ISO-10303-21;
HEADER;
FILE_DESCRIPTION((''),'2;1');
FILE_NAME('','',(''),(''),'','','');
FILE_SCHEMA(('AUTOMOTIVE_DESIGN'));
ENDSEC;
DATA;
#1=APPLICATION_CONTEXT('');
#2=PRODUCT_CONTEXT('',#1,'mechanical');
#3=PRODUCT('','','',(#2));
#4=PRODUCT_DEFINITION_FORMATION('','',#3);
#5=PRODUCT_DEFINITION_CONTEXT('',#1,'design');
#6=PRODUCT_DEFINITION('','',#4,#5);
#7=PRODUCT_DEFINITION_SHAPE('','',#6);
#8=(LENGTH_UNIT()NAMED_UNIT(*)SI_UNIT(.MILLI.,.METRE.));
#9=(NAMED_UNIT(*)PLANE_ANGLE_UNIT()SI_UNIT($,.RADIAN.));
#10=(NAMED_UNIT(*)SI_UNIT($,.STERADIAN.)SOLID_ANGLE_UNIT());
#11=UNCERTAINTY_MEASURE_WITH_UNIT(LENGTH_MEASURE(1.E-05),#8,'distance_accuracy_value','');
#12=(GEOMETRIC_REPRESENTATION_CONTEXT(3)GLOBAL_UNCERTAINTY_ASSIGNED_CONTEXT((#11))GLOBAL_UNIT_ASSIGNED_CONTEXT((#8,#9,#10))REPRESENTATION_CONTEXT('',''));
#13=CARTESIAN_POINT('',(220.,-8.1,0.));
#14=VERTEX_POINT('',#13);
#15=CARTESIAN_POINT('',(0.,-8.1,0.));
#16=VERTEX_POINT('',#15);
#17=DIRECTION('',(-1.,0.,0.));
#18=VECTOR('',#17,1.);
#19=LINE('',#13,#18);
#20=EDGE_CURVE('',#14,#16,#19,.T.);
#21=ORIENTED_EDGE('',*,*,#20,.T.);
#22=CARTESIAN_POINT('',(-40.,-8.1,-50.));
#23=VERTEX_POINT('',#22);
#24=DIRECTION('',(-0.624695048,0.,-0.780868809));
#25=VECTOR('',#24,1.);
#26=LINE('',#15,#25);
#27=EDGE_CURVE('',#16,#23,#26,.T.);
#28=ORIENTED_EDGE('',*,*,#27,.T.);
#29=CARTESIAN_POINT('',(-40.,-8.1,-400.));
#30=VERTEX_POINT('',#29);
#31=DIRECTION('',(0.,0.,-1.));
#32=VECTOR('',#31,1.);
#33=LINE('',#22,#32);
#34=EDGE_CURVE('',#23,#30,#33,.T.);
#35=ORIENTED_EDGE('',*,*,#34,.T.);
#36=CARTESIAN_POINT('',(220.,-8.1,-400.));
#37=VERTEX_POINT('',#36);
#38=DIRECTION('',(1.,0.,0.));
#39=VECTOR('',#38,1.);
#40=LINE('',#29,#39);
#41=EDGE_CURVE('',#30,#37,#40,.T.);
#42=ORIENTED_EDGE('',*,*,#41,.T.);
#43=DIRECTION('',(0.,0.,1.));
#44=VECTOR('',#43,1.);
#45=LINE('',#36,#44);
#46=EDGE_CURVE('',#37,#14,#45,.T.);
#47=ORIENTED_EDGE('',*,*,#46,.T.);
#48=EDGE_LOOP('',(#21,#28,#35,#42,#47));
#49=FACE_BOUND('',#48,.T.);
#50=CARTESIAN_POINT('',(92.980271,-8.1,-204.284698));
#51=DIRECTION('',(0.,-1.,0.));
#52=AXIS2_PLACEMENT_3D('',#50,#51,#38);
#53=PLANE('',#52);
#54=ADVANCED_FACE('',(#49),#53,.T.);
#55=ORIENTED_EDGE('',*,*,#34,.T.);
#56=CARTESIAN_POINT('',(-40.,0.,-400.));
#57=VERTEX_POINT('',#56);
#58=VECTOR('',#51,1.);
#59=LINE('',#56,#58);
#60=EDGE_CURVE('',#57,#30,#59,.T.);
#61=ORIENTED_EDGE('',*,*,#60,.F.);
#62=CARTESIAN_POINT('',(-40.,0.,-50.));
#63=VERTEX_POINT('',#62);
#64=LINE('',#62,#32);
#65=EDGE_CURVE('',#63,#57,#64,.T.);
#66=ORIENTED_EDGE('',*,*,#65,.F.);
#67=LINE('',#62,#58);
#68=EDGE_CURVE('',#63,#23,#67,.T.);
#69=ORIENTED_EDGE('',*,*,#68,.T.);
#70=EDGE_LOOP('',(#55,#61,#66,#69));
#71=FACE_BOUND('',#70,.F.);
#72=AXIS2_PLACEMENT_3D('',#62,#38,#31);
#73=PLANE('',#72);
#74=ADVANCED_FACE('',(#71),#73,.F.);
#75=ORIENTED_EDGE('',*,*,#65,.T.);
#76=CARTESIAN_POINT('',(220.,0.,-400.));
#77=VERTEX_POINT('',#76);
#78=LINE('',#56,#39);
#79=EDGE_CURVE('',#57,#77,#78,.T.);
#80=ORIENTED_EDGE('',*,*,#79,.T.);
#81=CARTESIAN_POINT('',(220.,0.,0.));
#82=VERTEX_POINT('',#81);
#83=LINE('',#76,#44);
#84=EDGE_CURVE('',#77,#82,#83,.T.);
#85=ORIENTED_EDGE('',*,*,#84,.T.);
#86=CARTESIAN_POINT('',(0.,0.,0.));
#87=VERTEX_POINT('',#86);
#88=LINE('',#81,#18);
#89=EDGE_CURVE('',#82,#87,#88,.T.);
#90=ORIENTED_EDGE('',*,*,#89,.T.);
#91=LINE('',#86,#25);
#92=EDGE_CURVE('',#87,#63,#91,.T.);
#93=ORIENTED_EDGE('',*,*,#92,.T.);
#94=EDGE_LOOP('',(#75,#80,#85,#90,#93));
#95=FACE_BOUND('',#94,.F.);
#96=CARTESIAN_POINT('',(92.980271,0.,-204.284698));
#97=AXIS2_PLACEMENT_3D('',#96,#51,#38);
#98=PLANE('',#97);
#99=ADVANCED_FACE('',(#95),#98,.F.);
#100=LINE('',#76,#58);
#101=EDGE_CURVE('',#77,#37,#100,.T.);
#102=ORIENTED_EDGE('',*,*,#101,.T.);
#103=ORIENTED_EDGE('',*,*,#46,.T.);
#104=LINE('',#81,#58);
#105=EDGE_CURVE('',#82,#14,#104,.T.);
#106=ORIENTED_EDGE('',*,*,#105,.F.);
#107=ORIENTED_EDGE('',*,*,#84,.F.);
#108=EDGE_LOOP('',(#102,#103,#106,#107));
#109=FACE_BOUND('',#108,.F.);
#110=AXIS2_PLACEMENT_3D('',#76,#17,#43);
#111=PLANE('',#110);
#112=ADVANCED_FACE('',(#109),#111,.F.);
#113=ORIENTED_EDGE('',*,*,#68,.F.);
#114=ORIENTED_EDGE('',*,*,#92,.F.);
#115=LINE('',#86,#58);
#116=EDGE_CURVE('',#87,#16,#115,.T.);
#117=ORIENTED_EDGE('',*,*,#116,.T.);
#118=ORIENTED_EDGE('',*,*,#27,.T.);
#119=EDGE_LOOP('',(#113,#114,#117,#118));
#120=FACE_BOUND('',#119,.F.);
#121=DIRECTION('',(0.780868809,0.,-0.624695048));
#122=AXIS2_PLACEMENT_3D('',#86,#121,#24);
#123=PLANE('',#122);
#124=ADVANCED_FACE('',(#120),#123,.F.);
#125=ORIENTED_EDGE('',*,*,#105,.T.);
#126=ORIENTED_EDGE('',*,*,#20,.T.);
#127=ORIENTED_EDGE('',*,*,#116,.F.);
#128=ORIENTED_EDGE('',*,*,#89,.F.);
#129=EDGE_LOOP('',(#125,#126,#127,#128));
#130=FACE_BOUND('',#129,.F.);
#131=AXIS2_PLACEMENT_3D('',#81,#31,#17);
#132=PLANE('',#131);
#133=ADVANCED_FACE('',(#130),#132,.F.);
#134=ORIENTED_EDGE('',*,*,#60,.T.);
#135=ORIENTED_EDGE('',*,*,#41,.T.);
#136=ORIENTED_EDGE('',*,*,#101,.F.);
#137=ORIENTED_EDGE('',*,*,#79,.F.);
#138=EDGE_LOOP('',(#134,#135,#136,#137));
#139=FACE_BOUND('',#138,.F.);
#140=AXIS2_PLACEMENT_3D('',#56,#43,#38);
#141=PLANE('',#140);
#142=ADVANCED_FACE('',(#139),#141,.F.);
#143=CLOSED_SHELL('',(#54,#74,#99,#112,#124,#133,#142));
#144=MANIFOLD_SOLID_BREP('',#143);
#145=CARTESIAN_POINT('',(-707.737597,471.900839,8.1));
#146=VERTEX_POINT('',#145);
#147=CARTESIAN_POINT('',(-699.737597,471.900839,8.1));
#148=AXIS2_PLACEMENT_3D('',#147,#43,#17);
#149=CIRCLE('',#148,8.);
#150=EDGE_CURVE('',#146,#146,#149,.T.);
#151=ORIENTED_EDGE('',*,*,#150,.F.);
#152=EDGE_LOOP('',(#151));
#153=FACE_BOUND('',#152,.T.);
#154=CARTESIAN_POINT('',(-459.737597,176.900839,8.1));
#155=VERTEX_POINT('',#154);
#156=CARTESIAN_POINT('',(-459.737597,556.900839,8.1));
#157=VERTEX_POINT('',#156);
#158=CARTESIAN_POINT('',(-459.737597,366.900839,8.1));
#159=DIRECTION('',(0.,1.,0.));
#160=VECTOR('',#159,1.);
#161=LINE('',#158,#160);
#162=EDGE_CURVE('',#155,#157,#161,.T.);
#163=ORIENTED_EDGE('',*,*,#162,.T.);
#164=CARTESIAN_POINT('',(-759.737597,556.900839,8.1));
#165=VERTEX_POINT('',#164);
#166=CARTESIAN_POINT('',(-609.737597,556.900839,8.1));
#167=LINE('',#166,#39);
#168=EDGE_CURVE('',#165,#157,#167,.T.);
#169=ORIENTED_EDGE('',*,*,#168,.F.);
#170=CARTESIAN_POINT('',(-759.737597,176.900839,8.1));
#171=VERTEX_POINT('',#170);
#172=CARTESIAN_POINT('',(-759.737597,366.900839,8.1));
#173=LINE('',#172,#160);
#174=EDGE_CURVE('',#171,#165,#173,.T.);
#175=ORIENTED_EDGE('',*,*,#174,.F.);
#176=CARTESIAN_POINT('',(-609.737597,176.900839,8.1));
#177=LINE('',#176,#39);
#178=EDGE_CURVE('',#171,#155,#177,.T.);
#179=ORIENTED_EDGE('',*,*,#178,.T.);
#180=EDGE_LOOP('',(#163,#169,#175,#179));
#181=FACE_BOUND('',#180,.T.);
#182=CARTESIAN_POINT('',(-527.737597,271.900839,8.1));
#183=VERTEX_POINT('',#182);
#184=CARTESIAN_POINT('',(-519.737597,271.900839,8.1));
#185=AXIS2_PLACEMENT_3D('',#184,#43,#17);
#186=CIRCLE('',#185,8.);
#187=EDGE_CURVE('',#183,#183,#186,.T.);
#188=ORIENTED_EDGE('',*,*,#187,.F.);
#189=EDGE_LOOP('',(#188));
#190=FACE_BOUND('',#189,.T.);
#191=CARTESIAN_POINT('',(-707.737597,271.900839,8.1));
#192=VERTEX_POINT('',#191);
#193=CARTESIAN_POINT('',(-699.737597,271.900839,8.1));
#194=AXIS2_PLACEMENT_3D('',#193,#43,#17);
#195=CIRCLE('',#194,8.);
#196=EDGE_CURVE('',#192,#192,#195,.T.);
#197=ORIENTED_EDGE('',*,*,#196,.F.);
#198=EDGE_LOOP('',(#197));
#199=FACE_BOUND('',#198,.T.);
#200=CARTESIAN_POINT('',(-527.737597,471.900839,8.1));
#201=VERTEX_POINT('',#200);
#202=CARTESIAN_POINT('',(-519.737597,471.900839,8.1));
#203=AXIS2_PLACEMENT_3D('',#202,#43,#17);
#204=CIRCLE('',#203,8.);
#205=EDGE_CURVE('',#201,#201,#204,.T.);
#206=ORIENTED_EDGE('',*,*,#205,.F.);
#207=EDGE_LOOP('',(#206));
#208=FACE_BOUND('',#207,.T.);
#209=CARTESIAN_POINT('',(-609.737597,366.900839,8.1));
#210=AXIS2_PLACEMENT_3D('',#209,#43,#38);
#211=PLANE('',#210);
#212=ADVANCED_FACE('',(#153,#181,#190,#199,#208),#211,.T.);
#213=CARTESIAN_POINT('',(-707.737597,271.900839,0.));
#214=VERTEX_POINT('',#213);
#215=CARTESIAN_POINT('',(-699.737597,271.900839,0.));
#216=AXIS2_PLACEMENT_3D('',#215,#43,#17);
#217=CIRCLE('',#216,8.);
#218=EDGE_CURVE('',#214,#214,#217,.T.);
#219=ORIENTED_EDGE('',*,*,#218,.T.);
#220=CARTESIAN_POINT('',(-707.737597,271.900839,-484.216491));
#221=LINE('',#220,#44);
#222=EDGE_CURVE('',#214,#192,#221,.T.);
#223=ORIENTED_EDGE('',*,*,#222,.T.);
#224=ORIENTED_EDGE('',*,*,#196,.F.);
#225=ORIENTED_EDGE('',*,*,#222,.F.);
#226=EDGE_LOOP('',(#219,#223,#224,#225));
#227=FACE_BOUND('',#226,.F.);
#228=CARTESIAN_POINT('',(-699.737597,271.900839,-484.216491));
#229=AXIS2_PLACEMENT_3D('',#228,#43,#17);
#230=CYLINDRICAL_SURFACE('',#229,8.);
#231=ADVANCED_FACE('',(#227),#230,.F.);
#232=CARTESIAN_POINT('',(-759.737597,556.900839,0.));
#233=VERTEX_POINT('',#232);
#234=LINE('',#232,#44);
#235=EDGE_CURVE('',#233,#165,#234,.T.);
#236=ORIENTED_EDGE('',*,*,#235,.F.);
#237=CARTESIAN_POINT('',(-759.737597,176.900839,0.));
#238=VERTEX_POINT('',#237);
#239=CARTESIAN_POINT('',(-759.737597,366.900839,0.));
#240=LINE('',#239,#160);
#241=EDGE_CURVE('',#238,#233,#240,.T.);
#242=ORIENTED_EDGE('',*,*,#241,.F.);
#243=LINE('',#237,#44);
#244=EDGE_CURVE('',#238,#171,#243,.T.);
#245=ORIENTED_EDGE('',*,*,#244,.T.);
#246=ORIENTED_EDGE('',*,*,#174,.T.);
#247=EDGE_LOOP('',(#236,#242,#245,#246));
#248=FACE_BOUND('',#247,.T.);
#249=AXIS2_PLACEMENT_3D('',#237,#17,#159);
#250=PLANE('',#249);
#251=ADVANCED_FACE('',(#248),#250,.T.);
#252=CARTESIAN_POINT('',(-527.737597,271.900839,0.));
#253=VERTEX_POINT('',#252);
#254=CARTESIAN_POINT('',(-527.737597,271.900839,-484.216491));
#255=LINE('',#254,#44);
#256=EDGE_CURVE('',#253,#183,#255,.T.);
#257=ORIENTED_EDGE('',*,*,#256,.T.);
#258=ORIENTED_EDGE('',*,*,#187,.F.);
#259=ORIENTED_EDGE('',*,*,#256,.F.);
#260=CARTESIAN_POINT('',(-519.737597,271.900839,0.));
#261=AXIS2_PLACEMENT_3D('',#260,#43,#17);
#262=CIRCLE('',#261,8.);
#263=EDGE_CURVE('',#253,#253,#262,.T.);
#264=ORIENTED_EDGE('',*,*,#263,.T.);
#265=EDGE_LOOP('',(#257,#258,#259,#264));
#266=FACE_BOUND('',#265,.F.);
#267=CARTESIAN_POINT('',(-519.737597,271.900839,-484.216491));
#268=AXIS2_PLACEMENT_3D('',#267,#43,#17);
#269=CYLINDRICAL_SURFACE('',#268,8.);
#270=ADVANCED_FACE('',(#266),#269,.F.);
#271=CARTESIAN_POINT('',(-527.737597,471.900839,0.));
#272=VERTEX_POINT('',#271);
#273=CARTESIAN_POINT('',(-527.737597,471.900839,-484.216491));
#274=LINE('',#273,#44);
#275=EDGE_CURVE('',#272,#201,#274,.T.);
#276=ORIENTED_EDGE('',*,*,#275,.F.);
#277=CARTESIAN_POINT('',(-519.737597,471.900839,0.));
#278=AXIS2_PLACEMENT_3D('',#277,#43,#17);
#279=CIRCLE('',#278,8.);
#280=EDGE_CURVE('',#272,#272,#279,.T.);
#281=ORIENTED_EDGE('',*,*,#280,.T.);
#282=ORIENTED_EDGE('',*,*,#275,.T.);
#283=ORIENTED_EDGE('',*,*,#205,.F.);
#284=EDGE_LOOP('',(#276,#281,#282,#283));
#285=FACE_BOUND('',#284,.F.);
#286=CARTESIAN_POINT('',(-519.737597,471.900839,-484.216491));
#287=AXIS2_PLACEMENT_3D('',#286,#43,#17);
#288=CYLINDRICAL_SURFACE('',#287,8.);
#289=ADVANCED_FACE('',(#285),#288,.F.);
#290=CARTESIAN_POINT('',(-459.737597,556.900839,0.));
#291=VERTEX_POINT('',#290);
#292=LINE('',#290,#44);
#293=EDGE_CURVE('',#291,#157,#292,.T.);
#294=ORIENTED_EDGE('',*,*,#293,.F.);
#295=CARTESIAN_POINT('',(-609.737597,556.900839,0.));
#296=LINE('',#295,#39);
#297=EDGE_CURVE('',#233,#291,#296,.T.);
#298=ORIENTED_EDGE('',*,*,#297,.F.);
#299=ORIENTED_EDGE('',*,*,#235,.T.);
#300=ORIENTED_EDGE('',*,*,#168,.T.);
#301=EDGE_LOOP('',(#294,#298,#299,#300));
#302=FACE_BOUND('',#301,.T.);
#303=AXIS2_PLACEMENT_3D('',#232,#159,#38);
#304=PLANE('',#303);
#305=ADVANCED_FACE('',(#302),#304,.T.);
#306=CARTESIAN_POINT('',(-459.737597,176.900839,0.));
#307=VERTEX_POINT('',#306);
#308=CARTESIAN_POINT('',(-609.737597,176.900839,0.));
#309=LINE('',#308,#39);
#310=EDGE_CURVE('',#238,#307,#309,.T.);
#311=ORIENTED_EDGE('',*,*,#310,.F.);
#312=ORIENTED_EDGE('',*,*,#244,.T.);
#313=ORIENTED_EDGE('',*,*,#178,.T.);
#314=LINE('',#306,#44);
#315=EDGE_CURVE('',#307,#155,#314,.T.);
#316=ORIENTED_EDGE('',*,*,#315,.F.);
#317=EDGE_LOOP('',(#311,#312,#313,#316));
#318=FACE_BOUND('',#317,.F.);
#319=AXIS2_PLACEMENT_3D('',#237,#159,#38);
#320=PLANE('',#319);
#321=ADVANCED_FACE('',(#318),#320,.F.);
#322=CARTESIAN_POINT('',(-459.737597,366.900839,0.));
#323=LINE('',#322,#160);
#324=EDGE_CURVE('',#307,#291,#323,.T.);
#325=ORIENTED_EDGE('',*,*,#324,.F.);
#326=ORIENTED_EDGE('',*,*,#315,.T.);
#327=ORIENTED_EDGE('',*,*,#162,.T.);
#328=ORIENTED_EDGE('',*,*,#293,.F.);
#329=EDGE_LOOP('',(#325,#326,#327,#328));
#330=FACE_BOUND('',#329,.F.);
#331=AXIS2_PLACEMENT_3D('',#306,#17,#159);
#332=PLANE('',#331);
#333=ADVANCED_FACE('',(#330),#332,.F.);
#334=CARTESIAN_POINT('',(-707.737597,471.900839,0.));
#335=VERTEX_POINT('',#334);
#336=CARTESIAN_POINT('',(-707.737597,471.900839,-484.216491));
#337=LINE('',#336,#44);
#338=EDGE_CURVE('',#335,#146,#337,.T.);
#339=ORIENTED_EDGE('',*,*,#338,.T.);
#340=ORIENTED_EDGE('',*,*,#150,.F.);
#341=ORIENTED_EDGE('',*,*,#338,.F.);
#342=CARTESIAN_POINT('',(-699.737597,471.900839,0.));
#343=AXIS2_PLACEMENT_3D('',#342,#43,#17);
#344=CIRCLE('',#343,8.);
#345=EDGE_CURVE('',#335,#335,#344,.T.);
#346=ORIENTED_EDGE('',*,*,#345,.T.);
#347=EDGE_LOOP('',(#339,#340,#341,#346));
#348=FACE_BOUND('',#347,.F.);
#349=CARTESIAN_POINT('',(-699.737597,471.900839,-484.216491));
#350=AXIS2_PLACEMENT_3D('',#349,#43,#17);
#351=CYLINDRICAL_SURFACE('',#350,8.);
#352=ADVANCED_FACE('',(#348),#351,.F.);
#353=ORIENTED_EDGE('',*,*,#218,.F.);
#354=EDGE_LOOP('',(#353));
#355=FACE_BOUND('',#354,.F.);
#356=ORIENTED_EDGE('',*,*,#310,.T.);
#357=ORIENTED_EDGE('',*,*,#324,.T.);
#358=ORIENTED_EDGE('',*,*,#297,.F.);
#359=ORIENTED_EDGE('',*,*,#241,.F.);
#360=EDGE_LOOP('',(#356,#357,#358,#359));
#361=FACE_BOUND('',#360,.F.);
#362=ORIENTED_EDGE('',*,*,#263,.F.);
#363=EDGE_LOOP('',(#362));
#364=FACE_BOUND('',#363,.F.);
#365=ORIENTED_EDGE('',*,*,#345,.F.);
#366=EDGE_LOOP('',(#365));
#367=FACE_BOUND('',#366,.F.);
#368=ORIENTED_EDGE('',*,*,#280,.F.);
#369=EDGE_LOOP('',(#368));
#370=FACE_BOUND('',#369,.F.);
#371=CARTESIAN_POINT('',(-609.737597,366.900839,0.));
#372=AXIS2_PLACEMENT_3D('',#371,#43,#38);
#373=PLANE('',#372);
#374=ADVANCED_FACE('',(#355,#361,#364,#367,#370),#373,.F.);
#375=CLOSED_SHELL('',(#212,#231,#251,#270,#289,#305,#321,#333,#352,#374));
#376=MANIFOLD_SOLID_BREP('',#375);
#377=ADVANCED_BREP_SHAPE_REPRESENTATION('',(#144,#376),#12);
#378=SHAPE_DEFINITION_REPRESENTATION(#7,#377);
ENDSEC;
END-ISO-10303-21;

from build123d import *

# Parameters (mm, degrees)
F1_DEPTH = 8.1
F2_W     = 300
F2_H     = 380
F3_DEPTH = 8.1
F4_D     = 16


with BuildPart() as f1:
    # F0 (on Front) → F1 (new body)
    with BuildSketch(Plane.XZ):
        Polygon((220, 0), (0, 0), (-40, -50), (-40, -400), (220, -400), align=None)
    extrude(amount=F1_DEPTH)


with BuildPart() as f3:
    # F2 (on Top) → F3 (new body)
    with BuildSketch(Plane.XY):
        with Locations((-609.7375965118, 366.9008386184)):
            Rectangle(F2_W, F2_H)
    extrude(amount=F3_DEPTH)

    # F4 (through all)
    with Locations(Plane(origin=(0, 0, 0), x_dir=(1, 0, 0), z_dir=(0, 0, -1))):
        with Locations((-519.7375965118, -471.9008386184), (-699.7375965118, -471.9008386184), (-699.7375965118, -271.9008386184), (-519.7375965118, -271.9008386184)):
            Hole(F4_D / 2)


solid = Compound([f1.part, f3.part])
